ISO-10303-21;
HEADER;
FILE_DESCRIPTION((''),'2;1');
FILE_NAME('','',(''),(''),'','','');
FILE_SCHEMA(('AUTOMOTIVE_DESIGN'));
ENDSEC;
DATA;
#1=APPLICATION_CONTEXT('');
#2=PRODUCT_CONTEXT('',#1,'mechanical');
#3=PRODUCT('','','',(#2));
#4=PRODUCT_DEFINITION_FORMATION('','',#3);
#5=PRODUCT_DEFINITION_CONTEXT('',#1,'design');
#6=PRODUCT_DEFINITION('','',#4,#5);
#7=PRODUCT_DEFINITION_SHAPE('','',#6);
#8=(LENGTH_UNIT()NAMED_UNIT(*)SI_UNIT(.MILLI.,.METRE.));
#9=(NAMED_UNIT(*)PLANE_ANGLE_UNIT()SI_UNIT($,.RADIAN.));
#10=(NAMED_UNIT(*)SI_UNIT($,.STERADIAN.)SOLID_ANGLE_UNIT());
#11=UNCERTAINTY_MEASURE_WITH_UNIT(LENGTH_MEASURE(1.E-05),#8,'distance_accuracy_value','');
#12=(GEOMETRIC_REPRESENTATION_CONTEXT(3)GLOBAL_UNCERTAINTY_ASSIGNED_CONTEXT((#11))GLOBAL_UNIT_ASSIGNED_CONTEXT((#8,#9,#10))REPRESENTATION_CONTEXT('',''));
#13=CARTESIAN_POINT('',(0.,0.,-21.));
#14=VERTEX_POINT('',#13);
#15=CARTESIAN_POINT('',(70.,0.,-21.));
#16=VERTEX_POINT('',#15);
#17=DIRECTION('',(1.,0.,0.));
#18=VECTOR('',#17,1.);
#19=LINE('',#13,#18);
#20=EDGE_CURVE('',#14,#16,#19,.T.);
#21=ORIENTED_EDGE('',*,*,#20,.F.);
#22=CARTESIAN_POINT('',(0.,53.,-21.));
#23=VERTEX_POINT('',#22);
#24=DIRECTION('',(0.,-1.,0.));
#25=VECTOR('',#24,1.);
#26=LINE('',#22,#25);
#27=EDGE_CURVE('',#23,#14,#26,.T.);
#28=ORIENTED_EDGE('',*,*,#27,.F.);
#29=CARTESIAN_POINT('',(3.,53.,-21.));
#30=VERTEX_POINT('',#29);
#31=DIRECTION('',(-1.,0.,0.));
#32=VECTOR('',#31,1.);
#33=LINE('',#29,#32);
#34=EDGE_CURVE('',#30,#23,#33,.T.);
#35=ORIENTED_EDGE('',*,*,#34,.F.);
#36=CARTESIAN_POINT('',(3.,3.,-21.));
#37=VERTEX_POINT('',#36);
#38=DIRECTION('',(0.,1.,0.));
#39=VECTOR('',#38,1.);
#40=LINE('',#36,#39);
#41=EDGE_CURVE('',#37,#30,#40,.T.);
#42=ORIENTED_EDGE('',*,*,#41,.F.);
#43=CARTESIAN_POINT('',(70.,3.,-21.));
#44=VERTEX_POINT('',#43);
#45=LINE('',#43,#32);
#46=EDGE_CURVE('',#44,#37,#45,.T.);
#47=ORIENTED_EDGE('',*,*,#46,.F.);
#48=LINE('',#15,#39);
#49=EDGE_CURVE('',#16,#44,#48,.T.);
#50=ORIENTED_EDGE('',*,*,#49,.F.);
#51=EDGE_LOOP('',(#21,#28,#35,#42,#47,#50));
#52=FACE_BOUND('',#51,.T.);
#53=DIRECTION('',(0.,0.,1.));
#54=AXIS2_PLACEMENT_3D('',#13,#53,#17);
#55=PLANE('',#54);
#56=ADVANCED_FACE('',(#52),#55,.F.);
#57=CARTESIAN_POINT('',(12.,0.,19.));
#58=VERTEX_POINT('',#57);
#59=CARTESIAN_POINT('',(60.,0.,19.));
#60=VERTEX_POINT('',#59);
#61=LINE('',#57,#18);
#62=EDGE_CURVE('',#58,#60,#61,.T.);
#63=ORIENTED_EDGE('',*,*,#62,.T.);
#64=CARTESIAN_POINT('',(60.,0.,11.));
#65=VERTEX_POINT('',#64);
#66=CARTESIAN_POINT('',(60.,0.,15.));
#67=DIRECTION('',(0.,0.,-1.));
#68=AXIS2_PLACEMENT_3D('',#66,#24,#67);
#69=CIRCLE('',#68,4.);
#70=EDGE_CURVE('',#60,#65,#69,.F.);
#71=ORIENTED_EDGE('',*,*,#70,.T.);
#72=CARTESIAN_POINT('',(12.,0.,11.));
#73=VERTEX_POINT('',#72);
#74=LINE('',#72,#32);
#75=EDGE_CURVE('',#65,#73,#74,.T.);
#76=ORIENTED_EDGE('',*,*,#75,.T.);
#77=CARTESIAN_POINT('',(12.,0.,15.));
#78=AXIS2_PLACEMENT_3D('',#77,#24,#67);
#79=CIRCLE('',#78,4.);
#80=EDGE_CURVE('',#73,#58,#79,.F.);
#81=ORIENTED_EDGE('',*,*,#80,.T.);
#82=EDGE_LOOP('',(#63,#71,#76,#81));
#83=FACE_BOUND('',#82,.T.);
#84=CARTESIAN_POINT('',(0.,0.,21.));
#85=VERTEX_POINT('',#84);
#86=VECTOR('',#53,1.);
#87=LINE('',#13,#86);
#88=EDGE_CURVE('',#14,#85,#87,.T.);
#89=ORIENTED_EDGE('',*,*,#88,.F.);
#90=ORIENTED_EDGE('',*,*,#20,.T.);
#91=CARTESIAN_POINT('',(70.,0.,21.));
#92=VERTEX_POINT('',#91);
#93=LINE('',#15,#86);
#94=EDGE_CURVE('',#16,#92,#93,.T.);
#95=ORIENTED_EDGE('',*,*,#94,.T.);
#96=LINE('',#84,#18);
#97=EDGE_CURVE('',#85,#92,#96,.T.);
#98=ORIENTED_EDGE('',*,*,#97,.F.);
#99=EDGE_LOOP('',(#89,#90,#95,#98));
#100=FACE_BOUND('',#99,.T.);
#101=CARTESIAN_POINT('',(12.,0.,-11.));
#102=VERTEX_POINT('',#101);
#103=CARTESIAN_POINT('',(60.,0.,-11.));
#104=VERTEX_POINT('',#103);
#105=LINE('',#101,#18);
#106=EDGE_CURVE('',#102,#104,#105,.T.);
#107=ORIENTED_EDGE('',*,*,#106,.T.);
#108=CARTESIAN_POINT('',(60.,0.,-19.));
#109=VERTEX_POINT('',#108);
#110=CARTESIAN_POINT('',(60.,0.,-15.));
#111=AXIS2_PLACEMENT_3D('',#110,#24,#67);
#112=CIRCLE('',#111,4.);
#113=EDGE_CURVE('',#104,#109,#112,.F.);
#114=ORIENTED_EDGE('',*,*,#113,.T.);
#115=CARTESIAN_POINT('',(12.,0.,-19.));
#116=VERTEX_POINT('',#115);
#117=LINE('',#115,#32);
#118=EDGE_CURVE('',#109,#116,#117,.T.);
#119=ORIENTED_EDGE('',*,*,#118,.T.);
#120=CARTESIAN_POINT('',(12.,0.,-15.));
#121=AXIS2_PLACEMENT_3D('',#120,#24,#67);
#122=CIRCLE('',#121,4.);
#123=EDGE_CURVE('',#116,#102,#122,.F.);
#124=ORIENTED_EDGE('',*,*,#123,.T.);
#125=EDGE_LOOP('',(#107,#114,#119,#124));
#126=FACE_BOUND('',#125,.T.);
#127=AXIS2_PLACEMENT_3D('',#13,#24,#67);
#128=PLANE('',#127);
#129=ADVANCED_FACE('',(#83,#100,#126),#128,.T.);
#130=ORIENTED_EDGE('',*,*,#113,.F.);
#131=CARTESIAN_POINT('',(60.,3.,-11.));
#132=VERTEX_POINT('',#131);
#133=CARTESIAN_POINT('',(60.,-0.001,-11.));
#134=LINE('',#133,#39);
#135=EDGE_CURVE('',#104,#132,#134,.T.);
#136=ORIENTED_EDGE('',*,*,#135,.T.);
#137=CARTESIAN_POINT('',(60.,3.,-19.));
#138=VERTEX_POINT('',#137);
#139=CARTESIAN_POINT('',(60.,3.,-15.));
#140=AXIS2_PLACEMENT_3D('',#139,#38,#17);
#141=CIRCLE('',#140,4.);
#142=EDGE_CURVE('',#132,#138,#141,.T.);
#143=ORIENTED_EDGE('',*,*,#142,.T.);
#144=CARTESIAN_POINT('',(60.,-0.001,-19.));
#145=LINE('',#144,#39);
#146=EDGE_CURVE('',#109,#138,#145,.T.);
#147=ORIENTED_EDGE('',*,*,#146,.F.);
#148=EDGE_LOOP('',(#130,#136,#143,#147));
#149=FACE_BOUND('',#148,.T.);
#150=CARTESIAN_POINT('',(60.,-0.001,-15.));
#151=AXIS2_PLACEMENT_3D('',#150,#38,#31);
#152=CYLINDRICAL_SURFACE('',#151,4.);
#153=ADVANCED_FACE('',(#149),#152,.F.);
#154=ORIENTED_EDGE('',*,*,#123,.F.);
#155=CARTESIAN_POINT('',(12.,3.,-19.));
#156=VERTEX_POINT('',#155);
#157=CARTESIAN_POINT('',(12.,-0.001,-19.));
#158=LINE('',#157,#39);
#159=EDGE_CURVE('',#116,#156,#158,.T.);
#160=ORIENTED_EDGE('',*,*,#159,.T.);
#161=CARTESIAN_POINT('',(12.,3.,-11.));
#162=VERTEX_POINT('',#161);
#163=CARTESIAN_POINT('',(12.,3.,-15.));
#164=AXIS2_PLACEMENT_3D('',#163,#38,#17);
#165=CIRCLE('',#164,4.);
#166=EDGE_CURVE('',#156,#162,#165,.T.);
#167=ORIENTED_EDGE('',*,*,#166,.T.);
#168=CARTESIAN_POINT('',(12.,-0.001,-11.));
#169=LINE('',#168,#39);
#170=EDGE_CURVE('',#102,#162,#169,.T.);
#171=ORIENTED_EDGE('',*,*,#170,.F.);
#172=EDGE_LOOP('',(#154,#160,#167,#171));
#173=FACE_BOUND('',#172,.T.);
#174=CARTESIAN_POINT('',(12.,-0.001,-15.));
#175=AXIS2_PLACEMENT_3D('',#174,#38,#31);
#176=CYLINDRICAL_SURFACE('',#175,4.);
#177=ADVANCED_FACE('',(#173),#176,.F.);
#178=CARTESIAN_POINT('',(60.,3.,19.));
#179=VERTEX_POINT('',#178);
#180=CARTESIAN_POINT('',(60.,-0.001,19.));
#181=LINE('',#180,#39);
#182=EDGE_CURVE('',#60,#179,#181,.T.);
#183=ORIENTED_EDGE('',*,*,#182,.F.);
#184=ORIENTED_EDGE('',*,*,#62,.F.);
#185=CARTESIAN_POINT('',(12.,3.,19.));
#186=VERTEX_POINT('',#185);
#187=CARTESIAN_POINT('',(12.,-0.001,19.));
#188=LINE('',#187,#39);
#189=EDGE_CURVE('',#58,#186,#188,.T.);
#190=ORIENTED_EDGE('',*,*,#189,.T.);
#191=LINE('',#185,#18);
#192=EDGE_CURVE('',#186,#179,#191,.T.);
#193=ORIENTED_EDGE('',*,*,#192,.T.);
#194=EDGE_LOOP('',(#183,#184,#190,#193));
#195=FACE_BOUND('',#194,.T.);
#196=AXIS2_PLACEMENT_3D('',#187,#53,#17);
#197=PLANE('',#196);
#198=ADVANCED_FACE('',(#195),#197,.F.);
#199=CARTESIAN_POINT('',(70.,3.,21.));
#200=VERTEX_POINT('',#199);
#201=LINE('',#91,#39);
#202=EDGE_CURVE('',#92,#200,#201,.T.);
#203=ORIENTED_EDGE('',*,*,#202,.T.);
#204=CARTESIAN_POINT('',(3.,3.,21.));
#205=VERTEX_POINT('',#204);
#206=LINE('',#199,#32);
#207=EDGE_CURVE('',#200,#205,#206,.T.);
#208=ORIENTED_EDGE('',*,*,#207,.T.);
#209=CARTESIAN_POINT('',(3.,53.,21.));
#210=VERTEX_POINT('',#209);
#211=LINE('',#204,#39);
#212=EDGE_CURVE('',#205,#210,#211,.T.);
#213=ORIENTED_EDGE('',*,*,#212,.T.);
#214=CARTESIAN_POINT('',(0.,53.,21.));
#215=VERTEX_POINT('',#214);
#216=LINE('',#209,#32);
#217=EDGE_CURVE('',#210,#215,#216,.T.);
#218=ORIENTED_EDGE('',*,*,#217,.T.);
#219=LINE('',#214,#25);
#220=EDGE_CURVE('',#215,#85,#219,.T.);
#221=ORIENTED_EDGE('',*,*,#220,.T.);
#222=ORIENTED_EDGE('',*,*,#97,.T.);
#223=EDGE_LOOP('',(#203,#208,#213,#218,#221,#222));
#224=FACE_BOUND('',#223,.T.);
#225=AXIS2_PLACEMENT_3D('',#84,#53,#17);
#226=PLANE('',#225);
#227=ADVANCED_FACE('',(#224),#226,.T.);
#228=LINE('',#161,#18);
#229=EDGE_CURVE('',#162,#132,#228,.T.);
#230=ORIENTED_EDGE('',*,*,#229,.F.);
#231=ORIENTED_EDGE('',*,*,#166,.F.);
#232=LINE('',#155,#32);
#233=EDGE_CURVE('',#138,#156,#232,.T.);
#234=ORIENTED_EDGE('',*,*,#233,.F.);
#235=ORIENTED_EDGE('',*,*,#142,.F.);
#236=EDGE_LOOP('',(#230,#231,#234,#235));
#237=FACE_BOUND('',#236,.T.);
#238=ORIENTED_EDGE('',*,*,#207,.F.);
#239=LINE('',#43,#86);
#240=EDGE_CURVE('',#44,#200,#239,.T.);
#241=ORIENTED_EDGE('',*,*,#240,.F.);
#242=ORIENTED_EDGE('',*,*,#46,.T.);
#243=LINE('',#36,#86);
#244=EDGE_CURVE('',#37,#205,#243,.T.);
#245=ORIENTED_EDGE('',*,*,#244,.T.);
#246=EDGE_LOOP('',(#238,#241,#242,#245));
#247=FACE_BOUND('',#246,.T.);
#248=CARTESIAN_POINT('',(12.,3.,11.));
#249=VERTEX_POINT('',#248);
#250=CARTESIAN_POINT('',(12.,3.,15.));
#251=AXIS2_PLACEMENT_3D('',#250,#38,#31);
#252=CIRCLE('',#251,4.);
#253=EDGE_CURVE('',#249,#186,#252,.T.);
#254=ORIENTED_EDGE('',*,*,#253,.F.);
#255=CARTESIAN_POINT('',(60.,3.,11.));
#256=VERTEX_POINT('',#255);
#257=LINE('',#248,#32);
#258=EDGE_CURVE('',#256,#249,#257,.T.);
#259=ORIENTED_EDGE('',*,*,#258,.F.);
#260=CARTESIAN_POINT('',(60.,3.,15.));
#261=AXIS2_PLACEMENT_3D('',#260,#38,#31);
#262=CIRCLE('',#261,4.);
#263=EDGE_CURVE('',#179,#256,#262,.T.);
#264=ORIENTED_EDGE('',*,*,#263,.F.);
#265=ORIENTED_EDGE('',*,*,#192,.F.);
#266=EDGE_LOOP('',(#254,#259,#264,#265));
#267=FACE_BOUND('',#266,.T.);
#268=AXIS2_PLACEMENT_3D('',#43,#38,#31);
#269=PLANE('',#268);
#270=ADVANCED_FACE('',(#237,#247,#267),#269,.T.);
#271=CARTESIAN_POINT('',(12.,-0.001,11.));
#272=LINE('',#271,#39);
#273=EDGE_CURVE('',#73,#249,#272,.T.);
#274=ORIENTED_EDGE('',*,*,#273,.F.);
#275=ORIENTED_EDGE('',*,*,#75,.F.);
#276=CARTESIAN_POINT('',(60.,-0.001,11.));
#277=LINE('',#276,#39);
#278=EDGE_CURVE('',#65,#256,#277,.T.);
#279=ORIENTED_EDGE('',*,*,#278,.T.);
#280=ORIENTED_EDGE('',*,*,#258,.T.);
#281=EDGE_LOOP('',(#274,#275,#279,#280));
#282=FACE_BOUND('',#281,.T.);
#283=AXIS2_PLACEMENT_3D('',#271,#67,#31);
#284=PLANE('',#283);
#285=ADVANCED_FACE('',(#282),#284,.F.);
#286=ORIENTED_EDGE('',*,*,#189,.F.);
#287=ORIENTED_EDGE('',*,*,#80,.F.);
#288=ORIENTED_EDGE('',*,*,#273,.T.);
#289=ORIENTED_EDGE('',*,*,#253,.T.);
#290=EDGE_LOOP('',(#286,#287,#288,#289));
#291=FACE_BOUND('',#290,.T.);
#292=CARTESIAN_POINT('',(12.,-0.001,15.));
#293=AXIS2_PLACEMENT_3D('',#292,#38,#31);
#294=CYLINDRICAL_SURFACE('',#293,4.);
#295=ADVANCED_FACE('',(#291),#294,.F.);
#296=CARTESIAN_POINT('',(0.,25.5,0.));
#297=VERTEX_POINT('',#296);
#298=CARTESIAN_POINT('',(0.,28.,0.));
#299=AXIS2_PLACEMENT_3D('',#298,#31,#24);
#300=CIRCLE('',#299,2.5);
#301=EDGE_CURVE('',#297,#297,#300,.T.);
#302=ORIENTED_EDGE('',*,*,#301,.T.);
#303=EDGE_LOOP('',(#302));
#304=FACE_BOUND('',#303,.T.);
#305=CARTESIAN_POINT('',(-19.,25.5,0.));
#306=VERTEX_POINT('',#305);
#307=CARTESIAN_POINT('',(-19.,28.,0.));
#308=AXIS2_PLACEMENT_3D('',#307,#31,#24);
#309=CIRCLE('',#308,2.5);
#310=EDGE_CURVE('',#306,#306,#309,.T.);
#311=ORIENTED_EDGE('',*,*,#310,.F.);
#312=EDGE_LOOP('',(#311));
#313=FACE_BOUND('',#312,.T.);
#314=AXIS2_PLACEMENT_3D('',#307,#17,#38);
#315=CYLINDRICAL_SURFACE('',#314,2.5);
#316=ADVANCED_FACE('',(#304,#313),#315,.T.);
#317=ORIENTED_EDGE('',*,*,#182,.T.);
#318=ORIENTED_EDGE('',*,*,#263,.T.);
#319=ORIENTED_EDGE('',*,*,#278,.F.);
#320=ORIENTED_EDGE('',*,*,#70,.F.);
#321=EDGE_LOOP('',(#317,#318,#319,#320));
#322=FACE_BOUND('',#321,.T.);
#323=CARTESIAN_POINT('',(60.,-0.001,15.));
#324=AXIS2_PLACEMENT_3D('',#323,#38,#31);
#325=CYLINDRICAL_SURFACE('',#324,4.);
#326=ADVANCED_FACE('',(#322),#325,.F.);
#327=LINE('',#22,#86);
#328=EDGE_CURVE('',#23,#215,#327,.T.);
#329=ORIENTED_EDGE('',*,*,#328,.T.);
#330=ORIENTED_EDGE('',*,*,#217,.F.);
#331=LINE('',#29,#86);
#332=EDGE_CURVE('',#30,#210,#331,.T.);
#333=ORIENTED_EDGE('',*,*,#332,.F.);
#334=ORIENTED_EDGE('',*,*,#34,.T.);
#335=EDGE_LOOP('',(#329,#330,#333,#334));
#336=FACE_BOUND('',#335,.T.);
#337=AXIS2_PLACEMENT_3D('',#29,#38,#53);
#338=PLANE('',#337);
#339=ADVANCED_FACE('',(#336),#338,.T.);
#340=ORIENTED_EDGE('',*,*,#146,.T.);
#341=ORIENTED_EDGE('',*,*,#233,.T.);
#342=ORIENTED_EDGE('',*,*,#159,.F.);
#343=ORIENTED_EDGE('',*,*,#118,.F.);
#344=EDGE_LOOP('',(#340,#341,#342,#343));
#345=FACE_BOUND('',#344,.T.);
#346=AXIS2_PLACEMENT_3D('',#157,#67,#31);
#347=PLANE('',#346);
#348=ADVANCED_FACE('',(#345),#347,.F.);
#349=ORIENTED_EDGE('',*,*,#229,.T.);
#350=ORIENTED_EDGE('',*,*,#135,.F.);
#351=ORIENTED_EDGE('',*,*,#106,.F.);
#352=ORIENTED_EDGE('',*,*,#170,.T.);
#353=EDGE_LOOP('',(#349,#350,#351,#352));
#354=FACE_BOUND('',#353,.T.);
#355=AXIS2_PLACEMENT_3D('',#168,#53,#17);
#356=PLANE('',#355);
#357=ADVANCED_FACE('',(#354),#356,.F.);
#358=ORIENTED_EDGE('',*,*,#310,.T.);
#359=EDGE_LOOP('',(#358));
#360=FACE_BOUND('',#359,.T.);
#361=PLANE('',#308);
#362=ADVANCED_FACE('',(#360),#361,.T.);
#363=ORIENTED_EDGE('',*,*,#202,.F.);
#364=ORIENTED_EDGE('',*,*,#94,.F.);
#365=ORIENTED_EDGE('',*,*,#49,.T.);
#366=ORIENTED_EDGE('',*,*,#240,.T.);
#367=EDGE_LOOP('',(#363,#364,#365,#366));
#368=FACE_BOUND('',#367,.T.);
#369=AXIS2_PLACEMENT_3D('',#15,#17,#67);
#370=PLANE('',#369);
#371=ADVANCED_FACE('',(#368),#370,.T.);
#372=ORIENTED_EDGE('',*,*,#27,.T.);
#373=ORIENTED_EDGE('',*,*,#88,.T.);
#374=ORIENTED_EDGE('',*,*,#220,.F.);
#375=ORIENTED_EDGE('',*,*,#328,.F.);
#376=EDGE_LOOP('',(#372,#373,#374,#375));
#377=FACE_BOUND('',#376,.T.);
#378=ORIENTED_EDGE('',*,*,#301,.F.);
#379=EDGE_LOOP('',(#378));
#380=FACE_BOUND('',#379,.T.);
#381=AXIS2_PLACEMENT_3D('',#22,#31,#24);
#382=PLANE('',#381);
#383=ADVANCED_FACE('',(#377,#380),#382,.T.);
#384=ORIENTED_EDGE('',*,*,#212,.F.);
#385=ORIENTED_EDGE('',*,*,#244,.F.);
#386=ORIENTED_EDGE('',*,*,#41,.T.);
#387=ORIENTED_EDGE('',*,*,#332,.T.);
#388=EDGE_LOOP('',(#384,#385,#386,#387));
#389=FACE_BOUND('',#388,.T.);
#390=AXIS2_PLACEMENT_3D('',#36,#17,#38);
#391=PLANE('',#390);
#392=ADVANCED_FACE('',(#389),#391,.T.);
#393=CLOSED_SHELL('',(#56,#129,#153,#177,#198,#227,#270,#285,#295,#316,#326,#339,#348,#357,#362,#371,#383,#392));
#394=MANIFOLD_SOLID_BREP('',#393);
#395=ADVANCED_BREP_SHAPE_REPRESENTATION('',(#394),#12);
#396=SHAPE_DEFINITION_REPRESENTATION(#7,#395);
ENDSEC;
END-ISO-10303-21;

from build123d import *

# Parameters (mm, degrees)
EXTRUDE_1_DEPTH      = 21
EXTRUDE_1_DEPTH_BACK = 21
CUT_EXTRUDE_1_REACH  = 90.549
SKETCH_3_R           = 2.5
EXTRUDE_2_DEPTH      = 19


with BuildPart() as part:
    # 草图1 → 凸台-拉伸1 (new, two sides: drawn at the far end of the back side and taken through both)
    with BuildSketch(Plane.XY.offset(-EXTRUDE_1_DEPTH_BACK)):
        Polygon((0, 53), (0, 0), (70, 0), (70, 3), (3, 3), (3, 53), align=None)
    extrude(amount=EXTRUDE_1_DEPTH + EXTRUDE_1_DEPTH_BACK)

    # 草图2 → 切除-拉伸1 (cut, up to next)
    with BuildSketch(Plane(origin=(0, 3, 0), x_dir=(1, 0, 0), z_dir=(0, 1, 0)), mode=Mode.PRIVATE) as cut_extrude_1_sk1:
        with BuildLine():
            Line((12, -11), (60, -11))
            ThreePointArc((60, -11), (64, -15), (60, -19))
            Line((60, -19), (12, -19))
            ThreePointArc((12, -19), (8, -15), (12, -11))
        make_face()
    cut_extrude_1_tool1 = extrude(cut_extrude_1_sk1.sketch, amount=-CUT_EXTRUDE_1_REACH, mode=Mode.PRIVATE) & part.part
    # 草图2 → 切除-拉伸1 (cut, up to next)
    with BuildSketch(Plane(origin=(0, 3, 0), x_dir=(1, 0, 0), z_dir=(0, 1, 0)), mode=Mode.PRIVATE) as cut_extrude_1_sk2:
        with BuildLine():
            Line((12, 11), (60, 11))
            ThreePointArc((60, 11), (64, 15), (60, 19))
            Line((60, 19), (12, 19))
            ThreePointArc((12, 19), (8, 15), (12, 11))
        make_face()
    cut_extrude_1_tool2 = extrude(cut_extrude_1_sk2.sketch, amount=-CUT_EXTRUDE_1_REACH, mode=Mode.PRIVATE) & part.part
    add(cut_extrude_1_tool1.solids().sort_by_distance((36, 3, 15))[0], mode=Mode.SUBTRACT)
    add(cut_extrude_1_tool2.solids().sort_by_distance((36, 3, -15))[0], mode=Mode.SUBTRACT)

    # 草图3 → 凸台-拉伸2 (add)
    with BuildSketch(Plane.ZY):
        with Locations((0, 28)):
            Circle(SKETCH_3_R)
    extrude(amount=EXTRUDE_2_DEPTH)


solid = part.part
